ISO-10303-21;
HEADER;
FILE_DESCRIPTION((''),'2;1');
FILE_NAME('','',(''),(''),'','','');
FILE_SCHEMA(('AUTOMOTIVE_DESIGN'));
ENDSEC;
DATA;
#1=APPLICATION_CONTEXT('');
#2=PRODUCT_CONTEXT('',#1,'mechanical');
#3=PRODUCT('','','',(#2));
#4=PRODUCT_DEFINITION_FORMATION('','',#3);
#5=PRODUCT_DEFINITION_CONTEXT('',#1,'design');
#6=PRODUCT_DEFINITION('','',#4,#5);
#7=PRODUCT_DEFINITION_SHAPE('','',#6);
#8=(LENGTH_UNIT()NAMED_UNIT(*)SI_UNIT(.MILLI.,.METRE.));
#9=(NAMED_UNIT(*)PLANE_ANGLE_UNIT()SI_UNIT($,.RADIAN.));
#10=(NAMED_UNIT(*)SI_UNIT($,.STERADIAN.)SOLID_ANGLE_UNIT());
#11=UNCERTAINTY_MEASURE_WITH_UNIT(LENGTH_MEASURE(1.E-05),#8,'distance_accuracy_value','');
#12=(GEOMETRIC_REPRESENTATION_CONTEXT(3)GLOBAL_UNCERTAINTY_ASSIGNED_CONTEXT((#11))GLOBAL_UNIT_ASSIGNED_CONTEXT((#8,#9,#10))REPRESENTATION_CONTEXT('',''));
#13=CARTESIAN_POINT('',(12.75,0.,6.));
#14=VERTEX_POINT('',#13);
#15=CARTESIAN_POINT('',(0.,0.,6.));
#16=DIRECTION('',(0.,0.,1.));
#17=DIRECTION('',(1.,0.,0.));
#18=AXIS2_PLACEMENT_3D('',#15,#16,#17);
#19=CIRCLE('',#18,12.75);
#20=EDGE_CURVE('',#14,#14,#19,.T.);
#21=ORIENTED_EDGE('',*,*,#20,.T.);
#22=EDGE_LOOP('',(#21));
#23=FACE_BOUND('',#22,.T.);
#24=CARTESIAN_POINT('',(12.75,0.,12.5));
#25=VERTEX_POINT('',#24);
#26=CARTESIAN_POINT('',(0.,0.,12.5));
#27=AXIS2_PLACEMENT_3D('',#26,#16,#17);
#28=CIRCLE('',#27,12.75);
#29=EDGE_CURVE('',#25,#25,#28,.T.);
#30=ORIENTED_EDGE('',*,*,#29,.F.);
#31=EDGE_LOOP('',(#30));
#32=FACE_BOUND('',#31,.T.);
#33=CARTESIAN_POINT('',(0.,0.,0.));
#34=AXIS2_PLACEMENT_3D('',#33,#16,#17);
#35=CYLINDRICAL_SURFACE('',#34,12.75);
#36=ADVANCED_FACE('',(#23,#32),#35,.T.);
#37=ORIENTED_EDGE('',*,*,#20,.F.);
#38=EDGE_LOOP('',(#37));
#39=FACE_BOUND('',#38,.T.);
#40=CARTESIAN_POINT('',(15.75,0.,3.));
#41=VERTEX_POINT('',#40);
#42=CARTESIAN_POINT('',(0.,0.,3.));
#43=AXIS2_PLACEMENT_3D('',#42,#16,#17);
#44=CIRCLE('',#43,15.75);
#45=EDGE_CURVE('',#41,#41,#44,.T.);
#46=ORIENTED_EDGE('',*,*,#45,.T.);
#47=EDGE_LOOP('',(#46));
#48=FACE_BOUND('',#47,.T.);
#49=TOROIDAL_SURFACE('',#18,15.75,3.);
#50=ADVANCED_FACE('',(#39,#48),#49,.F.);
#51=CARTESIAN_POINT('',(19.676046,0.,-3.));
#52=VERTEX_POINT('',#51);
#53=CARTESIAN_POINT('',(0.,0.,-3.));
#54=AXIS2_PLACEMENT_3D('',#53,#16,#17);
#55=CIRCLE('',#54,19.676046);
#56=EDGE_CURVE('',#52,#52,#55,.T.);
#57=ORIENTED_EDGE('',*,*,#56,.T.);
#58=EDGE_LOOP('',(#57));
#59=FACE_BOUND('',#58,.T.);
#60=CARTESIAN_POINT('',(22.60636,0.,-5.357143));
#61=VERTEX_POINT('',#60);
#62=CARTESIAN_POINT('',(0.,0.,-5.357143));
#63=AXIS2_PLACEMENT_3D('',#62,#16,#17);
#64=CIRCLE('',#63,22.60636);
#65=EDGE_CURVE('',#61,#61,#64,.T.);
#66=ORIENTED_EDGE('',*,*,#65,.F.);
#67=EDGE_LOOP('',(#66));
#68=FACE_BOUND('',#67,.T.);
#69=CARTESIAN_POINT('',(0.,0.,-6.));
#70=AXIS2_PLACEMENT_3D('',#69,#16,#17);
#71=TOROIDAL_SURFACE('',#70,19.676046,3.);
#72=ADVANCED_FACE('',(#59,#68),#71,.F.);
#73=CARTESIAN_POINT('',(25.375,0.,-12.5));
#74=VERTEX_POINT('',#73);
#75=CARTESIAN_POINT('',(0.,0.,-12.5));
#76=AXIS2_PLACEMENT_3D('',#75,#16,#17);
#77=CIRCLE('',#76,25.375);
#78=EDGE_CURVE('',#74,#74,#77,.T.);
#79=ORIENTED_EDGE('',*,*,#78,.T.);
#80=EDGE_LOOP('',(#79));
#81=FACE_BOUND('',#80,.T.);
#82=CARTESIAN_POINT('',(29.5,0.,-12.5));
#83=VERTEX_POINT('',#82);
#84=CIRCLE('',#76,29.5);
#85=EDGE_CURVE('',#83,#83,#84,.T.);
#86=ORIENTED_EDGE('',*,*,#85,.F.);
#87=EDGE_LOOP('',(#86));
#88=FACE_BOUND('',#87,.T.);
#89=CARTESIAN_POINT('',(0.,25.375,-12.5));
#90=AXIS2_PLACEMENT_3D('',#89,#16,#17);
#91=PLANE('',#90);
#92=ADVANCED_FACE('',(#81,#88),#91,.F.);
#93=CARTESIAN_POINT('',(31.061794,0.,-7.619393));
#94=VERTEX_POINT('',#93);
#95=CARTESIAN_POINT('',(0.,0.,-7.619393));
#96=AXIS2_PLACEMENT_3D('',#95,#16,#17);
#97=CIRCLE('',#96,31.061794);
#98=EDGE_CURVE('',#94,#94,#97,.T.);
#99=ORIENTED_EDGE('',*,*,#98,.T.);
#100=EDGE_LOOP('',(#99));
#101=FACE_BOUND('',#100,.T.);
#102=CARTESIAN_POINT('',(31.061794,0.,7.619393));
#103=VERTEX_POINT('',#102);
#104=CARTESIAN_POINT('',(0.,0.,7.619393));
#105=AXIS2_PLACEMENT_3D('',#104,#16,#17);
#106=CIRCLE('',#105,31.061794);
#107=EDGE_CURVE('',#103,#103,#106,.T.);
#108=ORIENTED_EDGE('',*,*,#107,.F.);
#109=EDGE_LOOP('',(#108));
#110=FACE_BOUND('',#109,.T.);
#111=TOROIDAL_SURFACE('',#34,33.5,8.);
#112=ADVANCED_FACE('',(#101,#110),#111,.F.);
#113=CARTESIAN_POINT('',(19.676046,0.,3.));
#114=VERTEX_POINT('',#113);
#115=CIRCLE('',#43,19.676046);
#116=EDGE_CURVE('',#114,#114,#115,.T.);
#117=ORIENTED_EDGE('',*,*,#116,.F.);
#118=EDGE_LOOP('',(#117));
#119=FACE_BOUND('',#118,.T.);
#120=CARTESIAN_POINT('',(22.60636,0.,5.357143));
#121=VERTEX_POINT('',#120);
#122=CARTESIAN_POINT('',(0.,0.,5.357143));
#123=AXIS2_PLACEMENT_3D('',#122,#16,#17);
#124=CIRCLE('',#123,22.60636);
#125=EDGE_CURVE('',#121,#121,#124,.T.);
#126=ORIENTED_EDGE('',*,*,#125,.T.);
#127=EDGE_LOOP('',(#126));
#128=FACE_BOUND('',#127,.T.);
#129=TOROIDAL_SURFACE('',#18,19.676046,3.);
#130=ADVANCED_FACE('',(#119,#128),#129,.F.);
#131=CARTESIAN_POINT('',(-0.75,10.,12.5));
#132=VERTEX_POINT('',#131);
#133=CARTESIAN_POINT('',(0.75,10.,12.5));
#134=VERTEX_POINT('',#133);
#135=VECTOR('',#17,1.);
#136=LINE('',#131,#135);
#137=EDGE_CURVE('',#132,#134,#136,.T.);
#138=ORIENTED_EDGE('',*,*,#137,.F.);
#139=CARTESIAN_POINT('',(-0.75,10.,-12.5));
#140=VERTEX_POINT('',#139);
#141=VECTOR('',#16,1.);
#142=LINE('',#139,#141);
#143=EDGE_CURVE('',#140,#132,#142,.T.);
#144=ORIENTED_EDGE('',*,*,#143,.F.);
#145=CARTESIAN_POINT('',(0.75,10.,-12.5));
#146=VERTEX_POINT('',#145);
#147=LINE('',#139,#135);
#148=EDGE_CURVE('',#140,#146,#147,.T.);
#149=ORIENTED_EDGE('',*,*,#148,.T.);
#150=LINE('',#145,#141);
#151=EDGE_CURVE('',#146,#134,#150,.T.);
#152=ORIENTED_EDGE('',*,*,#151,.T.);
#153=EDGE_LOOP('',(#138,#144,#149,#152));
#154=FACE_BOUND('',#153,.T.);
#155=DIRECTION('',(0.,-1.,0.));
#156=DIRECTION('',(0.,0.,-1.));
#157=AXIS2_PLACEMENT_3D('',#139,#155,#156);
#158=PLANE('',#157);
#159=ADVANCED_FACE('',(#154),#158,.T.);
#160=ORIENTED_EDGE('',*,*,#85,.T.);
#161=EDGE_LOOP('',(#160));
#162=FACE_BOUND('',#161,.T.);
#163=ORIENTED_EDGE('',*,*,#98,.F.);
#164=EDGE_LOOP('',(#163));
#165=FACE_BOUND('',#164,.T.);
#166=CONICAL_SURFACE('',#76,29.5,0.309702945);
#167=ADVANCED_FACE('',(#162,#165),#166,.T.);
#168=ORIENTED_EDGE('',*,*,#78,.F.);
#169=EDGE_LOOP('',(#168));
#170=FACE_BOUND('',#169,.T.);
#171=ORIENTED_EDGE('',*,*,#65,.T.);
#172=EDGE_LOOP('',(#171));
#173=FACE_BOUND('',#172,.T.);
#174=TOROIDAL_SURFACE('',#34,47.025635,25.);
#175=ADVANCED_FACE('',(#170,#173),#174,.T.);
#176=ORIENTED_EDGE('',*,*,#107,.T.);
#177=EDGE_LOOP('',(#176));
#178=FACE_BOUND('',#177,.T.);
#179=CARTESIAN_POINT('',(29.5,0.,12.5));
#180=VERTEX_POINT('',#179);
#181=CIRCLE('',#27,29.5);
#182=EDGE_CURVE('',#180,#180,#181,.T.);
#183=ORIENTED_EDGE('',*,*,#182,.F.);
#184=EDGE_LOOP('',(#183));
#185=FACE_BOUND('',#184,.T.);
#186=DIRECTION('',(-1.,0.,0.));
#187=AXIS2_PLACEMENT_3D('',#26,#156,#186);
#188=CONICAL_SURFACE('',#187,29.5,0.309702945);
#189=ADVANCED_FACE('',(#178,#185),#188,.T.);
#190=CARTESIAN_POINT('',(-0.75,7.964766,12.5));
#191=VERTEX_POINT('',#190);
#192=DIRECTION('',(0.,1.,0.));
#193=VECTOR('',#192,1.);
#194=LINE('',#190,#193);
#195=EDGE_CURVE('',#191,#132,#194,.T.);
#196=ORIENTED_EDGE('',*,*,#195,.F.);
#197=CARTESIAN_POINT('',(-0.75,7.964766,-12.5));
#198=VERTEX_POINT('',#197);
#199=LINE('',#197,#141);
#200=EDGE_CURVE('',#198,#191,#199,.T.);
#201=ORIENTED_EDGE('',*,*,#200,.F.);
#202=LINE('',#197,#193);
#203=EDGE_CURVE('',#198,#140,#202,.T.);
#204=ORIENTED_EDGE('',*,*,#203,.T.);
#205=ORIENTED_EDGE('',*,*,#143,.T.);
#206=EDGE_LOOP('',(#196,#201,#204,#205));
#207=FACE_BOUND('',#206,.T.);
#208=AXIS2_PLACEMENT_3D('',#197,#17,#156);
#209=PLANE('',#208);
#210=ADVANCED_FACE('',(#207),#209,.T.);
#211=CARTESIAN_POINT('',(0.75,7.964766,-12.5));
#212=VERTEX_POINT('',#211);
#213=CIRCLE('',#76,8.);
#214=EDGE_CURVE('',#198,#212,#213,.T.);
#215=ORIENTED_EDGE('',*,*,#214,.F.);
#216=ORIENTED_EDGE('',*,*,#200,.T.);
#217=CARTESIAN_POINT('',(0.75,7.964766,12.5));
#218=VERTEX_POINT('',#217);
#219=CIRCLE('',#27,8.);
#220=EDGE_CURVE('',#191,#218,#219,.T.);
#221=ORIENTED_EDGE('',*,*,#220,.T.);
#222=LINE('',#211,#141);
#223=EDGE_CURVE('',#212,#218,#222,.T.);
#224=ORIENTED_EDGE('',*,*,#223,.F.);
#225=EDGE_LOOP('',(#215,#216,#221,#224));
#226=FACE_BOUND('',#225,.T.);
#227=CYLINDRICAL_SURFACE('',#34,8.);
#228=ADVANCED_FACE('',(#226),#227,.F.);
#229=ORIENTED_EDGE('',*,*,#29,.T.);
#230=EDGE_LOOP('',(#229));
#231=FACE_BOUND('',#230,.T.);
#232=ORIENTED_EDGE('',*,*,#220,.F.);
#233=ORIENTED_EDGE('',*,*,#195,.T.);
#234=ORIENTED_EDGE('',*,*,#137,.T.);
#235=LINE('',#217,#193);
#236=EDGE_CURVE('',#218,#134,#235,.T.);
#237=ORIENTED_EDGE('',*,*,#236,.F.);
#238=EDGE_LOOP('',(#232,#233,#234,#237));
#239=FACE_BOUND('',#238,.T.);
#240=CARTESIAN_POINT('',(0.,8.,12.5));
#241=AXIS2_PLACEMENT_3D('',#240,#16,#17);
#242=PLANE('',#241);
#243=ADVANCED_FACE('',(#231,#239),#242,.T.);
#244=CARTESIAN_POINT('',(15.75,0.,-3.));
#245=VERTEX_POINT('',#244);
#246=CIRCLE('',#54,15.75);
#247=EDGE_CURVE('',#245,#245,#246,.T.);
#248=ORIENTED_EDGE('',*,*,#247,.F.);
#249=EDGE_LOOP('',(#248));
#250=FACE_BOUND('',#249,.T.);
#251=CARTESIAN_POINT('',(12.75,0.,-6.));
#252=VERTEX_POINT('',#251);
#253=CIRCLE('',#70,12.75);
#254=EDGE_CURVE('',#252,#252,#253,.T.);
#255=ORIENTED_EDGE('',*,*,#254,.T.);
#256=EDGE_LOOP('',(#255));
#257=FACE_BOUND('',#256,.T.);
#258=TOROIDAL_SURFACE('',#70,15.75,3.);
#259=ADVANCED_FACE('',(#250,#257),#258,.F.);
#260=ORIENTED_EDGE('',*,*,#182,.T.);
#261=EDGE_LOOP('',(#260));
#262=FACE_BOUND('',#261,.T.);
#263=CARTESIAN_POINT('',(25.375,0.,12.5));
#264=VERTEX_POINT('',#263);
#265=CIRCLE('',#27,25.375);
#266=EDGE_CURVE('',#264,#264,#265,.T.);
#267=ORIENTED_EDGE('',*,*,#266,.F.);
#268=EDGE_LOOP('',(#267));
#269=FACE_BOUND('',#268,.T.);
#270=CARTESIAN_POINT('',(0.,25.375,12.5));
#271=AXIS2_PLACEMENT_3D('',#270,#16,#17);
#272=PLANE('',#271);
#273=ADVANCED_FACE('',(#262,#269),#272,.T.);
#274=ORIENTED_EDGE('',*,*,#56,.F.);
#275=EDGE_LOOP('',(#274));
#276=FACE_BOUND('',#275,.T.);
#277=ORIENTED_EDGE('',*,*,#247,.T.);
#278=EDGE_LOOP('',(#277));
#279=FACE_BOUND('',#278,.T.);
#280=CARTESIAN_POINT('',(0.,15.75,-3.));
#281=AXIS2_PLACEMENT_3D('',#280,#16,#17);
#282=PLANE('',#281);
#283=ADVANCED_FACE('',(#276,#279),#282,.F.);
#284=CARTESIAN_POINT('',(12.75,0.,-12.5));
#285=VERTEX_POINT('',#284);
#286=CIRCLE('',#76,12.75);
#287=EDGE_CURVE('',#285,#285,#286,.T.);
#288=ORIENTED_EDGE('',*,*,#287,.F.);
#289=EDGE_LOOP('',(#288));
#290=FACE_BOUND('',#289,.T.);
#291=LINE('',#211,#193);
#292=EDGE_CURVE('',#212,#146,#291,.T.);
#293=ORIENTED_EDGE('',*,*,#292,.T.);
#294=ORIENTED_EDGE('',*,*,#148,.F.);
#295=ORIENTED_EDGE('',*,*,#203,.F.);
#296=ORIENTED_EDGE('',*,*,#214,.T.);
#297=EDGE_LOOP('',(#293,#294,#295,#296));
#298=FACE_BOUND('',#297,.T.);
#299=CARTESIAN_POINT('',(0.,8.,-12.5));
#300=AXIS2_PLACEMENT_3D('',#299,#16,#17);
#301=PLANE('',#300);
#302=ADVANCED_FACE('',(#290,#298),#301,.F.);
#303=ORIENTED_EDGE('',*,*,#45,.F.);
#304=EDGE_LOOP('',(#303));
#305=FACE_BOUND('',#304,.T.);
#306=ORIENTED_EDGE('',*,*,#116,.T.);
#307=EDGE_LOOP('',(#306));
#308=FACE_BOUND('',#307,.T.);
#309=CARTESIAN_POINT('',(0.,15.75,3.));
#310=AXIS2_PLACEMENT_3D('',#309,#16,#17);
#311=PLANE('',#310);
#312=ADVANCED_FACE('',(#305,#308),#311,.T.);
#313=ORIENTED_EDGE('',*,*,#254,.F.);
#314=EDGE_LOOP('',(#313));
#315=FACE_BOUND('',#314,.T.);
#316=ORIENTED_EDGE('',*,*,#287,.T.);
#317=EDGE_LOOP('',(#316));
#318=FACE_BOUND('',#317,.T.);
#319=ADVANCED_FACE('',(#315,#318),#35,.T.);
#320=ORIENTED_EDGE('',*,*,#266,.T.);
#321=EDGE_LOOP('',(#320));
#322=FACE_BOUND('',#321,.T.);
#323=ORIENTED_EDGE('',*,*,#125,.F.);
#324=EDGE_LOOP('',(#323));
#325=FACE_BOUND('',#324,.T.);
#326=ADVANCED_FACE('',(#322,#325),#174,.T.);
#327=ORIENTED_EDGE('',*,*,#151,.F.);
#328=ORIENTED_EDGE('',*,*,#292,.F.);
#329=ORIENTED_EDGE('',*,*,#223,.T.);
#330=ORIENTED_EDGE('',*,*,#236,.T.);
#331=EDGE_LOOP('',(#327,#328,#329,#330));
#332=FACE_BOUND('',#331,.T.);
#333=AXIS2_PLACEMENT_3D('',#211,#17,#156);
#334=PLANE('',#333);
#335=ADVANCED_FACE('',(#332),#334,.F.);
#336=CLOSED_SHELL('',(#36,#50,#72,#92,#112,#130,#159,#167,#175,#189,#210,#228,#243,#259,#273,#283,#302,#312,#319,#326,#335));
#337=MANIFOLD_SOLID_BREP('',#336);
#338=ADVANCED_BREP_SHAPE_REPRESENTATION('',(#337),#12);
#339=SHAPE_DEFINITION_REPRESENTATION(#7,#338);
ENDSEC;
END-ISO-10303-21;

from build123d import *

# Parameters (mm, degrees)
CUT_EXTRUDE1_DEPTH = 51.543744576


with BuildPart() as part:
    # Sketch1 → Base-Revolve (revolve)
    with BuildSketch(Plane(origin=(0, 0, 0), x_dir=(0, 0, -1), z_dir=(1, 0, 0)), mode=Mode.PRIVATE) as base_revolve_sk:
        with BuildLine():
            Line((-12.5, 8), (12.5, 8))
            Line((12.5, 8), (12.5, 12.75))
            Line((12.5, 12.75), (6, 12.75))
            ThreePointArc((6, 12.75), (3.878679656, 13.628679656), (3, 15.75))
            Line((3, 15.75), (3, 19.676046432))
            ThreePointArc((3, 19.676046432), (3.662418833, 21.556395944), (5.357142857, 22.606359503))
            ThreePointArc((5.357142857, 22.606359503), (9.035249322, 23.715459855), (12.5, 25.375))
            Line((12.5, 25.375), (12.5, 29.5))
            Line((12.5, 29.5), (7.619393178, 31.061794183))
            ThreePointArc((7.619393178, 31.061794183), (0, 25.5), (-7.619393178, 31.061794183))
            Line((-7.619393178, 31.061794183), (-12.5, 29.5))
            Line((-12.5, 29.5), (-12.5, 25.375))
            ThreePointArc((-12.5, 25.375), (-9.035249322, 23.715459855), (-5.357142857, 22.606359503))
            ThreePointArc((-5.357142857, 22.606359503), (-3.662418833, 21.556395944), (-3, 19.676046432))
            Line((-3, 19.676046432), (-3, 15.75))
            ThreePointArc((-3, 15.75), (-3.878679656, 13.628679656), (-6, 12.75))
            Line((-6, 12.75), (-12.5, 12.75))
            Line((-12.5, 12.75), (-12.5, 8))
        make_face()
    revolve(base_revolve_sk.sketch.rotate(Axis((0, 0, 0), (0, 0, -1)), 90), axis=Axis((0, 0, 0), (0, 0, -1)))

    # Sketch2 → Cut-Extrude1 (cut, through all)
    with BuildSketch(Plane.XY.offset(12.5)):
        with BuildLine():
            Line((-0.75, 7.964766161), (-0.75, 10))
            Line((-0.75, 10), (0.75, 10))
            Line((0.75, 10), (0.75, 7.964766161))
            ThreePointArc((0.75, 7.964766161), (0, 8), (-0.75, 7.964766161))
        make_face()
    extrude(amount=-CUT_EXTRUDE1_DEPTH, mode=Mode.SUBTRACT)


solid = part.part
